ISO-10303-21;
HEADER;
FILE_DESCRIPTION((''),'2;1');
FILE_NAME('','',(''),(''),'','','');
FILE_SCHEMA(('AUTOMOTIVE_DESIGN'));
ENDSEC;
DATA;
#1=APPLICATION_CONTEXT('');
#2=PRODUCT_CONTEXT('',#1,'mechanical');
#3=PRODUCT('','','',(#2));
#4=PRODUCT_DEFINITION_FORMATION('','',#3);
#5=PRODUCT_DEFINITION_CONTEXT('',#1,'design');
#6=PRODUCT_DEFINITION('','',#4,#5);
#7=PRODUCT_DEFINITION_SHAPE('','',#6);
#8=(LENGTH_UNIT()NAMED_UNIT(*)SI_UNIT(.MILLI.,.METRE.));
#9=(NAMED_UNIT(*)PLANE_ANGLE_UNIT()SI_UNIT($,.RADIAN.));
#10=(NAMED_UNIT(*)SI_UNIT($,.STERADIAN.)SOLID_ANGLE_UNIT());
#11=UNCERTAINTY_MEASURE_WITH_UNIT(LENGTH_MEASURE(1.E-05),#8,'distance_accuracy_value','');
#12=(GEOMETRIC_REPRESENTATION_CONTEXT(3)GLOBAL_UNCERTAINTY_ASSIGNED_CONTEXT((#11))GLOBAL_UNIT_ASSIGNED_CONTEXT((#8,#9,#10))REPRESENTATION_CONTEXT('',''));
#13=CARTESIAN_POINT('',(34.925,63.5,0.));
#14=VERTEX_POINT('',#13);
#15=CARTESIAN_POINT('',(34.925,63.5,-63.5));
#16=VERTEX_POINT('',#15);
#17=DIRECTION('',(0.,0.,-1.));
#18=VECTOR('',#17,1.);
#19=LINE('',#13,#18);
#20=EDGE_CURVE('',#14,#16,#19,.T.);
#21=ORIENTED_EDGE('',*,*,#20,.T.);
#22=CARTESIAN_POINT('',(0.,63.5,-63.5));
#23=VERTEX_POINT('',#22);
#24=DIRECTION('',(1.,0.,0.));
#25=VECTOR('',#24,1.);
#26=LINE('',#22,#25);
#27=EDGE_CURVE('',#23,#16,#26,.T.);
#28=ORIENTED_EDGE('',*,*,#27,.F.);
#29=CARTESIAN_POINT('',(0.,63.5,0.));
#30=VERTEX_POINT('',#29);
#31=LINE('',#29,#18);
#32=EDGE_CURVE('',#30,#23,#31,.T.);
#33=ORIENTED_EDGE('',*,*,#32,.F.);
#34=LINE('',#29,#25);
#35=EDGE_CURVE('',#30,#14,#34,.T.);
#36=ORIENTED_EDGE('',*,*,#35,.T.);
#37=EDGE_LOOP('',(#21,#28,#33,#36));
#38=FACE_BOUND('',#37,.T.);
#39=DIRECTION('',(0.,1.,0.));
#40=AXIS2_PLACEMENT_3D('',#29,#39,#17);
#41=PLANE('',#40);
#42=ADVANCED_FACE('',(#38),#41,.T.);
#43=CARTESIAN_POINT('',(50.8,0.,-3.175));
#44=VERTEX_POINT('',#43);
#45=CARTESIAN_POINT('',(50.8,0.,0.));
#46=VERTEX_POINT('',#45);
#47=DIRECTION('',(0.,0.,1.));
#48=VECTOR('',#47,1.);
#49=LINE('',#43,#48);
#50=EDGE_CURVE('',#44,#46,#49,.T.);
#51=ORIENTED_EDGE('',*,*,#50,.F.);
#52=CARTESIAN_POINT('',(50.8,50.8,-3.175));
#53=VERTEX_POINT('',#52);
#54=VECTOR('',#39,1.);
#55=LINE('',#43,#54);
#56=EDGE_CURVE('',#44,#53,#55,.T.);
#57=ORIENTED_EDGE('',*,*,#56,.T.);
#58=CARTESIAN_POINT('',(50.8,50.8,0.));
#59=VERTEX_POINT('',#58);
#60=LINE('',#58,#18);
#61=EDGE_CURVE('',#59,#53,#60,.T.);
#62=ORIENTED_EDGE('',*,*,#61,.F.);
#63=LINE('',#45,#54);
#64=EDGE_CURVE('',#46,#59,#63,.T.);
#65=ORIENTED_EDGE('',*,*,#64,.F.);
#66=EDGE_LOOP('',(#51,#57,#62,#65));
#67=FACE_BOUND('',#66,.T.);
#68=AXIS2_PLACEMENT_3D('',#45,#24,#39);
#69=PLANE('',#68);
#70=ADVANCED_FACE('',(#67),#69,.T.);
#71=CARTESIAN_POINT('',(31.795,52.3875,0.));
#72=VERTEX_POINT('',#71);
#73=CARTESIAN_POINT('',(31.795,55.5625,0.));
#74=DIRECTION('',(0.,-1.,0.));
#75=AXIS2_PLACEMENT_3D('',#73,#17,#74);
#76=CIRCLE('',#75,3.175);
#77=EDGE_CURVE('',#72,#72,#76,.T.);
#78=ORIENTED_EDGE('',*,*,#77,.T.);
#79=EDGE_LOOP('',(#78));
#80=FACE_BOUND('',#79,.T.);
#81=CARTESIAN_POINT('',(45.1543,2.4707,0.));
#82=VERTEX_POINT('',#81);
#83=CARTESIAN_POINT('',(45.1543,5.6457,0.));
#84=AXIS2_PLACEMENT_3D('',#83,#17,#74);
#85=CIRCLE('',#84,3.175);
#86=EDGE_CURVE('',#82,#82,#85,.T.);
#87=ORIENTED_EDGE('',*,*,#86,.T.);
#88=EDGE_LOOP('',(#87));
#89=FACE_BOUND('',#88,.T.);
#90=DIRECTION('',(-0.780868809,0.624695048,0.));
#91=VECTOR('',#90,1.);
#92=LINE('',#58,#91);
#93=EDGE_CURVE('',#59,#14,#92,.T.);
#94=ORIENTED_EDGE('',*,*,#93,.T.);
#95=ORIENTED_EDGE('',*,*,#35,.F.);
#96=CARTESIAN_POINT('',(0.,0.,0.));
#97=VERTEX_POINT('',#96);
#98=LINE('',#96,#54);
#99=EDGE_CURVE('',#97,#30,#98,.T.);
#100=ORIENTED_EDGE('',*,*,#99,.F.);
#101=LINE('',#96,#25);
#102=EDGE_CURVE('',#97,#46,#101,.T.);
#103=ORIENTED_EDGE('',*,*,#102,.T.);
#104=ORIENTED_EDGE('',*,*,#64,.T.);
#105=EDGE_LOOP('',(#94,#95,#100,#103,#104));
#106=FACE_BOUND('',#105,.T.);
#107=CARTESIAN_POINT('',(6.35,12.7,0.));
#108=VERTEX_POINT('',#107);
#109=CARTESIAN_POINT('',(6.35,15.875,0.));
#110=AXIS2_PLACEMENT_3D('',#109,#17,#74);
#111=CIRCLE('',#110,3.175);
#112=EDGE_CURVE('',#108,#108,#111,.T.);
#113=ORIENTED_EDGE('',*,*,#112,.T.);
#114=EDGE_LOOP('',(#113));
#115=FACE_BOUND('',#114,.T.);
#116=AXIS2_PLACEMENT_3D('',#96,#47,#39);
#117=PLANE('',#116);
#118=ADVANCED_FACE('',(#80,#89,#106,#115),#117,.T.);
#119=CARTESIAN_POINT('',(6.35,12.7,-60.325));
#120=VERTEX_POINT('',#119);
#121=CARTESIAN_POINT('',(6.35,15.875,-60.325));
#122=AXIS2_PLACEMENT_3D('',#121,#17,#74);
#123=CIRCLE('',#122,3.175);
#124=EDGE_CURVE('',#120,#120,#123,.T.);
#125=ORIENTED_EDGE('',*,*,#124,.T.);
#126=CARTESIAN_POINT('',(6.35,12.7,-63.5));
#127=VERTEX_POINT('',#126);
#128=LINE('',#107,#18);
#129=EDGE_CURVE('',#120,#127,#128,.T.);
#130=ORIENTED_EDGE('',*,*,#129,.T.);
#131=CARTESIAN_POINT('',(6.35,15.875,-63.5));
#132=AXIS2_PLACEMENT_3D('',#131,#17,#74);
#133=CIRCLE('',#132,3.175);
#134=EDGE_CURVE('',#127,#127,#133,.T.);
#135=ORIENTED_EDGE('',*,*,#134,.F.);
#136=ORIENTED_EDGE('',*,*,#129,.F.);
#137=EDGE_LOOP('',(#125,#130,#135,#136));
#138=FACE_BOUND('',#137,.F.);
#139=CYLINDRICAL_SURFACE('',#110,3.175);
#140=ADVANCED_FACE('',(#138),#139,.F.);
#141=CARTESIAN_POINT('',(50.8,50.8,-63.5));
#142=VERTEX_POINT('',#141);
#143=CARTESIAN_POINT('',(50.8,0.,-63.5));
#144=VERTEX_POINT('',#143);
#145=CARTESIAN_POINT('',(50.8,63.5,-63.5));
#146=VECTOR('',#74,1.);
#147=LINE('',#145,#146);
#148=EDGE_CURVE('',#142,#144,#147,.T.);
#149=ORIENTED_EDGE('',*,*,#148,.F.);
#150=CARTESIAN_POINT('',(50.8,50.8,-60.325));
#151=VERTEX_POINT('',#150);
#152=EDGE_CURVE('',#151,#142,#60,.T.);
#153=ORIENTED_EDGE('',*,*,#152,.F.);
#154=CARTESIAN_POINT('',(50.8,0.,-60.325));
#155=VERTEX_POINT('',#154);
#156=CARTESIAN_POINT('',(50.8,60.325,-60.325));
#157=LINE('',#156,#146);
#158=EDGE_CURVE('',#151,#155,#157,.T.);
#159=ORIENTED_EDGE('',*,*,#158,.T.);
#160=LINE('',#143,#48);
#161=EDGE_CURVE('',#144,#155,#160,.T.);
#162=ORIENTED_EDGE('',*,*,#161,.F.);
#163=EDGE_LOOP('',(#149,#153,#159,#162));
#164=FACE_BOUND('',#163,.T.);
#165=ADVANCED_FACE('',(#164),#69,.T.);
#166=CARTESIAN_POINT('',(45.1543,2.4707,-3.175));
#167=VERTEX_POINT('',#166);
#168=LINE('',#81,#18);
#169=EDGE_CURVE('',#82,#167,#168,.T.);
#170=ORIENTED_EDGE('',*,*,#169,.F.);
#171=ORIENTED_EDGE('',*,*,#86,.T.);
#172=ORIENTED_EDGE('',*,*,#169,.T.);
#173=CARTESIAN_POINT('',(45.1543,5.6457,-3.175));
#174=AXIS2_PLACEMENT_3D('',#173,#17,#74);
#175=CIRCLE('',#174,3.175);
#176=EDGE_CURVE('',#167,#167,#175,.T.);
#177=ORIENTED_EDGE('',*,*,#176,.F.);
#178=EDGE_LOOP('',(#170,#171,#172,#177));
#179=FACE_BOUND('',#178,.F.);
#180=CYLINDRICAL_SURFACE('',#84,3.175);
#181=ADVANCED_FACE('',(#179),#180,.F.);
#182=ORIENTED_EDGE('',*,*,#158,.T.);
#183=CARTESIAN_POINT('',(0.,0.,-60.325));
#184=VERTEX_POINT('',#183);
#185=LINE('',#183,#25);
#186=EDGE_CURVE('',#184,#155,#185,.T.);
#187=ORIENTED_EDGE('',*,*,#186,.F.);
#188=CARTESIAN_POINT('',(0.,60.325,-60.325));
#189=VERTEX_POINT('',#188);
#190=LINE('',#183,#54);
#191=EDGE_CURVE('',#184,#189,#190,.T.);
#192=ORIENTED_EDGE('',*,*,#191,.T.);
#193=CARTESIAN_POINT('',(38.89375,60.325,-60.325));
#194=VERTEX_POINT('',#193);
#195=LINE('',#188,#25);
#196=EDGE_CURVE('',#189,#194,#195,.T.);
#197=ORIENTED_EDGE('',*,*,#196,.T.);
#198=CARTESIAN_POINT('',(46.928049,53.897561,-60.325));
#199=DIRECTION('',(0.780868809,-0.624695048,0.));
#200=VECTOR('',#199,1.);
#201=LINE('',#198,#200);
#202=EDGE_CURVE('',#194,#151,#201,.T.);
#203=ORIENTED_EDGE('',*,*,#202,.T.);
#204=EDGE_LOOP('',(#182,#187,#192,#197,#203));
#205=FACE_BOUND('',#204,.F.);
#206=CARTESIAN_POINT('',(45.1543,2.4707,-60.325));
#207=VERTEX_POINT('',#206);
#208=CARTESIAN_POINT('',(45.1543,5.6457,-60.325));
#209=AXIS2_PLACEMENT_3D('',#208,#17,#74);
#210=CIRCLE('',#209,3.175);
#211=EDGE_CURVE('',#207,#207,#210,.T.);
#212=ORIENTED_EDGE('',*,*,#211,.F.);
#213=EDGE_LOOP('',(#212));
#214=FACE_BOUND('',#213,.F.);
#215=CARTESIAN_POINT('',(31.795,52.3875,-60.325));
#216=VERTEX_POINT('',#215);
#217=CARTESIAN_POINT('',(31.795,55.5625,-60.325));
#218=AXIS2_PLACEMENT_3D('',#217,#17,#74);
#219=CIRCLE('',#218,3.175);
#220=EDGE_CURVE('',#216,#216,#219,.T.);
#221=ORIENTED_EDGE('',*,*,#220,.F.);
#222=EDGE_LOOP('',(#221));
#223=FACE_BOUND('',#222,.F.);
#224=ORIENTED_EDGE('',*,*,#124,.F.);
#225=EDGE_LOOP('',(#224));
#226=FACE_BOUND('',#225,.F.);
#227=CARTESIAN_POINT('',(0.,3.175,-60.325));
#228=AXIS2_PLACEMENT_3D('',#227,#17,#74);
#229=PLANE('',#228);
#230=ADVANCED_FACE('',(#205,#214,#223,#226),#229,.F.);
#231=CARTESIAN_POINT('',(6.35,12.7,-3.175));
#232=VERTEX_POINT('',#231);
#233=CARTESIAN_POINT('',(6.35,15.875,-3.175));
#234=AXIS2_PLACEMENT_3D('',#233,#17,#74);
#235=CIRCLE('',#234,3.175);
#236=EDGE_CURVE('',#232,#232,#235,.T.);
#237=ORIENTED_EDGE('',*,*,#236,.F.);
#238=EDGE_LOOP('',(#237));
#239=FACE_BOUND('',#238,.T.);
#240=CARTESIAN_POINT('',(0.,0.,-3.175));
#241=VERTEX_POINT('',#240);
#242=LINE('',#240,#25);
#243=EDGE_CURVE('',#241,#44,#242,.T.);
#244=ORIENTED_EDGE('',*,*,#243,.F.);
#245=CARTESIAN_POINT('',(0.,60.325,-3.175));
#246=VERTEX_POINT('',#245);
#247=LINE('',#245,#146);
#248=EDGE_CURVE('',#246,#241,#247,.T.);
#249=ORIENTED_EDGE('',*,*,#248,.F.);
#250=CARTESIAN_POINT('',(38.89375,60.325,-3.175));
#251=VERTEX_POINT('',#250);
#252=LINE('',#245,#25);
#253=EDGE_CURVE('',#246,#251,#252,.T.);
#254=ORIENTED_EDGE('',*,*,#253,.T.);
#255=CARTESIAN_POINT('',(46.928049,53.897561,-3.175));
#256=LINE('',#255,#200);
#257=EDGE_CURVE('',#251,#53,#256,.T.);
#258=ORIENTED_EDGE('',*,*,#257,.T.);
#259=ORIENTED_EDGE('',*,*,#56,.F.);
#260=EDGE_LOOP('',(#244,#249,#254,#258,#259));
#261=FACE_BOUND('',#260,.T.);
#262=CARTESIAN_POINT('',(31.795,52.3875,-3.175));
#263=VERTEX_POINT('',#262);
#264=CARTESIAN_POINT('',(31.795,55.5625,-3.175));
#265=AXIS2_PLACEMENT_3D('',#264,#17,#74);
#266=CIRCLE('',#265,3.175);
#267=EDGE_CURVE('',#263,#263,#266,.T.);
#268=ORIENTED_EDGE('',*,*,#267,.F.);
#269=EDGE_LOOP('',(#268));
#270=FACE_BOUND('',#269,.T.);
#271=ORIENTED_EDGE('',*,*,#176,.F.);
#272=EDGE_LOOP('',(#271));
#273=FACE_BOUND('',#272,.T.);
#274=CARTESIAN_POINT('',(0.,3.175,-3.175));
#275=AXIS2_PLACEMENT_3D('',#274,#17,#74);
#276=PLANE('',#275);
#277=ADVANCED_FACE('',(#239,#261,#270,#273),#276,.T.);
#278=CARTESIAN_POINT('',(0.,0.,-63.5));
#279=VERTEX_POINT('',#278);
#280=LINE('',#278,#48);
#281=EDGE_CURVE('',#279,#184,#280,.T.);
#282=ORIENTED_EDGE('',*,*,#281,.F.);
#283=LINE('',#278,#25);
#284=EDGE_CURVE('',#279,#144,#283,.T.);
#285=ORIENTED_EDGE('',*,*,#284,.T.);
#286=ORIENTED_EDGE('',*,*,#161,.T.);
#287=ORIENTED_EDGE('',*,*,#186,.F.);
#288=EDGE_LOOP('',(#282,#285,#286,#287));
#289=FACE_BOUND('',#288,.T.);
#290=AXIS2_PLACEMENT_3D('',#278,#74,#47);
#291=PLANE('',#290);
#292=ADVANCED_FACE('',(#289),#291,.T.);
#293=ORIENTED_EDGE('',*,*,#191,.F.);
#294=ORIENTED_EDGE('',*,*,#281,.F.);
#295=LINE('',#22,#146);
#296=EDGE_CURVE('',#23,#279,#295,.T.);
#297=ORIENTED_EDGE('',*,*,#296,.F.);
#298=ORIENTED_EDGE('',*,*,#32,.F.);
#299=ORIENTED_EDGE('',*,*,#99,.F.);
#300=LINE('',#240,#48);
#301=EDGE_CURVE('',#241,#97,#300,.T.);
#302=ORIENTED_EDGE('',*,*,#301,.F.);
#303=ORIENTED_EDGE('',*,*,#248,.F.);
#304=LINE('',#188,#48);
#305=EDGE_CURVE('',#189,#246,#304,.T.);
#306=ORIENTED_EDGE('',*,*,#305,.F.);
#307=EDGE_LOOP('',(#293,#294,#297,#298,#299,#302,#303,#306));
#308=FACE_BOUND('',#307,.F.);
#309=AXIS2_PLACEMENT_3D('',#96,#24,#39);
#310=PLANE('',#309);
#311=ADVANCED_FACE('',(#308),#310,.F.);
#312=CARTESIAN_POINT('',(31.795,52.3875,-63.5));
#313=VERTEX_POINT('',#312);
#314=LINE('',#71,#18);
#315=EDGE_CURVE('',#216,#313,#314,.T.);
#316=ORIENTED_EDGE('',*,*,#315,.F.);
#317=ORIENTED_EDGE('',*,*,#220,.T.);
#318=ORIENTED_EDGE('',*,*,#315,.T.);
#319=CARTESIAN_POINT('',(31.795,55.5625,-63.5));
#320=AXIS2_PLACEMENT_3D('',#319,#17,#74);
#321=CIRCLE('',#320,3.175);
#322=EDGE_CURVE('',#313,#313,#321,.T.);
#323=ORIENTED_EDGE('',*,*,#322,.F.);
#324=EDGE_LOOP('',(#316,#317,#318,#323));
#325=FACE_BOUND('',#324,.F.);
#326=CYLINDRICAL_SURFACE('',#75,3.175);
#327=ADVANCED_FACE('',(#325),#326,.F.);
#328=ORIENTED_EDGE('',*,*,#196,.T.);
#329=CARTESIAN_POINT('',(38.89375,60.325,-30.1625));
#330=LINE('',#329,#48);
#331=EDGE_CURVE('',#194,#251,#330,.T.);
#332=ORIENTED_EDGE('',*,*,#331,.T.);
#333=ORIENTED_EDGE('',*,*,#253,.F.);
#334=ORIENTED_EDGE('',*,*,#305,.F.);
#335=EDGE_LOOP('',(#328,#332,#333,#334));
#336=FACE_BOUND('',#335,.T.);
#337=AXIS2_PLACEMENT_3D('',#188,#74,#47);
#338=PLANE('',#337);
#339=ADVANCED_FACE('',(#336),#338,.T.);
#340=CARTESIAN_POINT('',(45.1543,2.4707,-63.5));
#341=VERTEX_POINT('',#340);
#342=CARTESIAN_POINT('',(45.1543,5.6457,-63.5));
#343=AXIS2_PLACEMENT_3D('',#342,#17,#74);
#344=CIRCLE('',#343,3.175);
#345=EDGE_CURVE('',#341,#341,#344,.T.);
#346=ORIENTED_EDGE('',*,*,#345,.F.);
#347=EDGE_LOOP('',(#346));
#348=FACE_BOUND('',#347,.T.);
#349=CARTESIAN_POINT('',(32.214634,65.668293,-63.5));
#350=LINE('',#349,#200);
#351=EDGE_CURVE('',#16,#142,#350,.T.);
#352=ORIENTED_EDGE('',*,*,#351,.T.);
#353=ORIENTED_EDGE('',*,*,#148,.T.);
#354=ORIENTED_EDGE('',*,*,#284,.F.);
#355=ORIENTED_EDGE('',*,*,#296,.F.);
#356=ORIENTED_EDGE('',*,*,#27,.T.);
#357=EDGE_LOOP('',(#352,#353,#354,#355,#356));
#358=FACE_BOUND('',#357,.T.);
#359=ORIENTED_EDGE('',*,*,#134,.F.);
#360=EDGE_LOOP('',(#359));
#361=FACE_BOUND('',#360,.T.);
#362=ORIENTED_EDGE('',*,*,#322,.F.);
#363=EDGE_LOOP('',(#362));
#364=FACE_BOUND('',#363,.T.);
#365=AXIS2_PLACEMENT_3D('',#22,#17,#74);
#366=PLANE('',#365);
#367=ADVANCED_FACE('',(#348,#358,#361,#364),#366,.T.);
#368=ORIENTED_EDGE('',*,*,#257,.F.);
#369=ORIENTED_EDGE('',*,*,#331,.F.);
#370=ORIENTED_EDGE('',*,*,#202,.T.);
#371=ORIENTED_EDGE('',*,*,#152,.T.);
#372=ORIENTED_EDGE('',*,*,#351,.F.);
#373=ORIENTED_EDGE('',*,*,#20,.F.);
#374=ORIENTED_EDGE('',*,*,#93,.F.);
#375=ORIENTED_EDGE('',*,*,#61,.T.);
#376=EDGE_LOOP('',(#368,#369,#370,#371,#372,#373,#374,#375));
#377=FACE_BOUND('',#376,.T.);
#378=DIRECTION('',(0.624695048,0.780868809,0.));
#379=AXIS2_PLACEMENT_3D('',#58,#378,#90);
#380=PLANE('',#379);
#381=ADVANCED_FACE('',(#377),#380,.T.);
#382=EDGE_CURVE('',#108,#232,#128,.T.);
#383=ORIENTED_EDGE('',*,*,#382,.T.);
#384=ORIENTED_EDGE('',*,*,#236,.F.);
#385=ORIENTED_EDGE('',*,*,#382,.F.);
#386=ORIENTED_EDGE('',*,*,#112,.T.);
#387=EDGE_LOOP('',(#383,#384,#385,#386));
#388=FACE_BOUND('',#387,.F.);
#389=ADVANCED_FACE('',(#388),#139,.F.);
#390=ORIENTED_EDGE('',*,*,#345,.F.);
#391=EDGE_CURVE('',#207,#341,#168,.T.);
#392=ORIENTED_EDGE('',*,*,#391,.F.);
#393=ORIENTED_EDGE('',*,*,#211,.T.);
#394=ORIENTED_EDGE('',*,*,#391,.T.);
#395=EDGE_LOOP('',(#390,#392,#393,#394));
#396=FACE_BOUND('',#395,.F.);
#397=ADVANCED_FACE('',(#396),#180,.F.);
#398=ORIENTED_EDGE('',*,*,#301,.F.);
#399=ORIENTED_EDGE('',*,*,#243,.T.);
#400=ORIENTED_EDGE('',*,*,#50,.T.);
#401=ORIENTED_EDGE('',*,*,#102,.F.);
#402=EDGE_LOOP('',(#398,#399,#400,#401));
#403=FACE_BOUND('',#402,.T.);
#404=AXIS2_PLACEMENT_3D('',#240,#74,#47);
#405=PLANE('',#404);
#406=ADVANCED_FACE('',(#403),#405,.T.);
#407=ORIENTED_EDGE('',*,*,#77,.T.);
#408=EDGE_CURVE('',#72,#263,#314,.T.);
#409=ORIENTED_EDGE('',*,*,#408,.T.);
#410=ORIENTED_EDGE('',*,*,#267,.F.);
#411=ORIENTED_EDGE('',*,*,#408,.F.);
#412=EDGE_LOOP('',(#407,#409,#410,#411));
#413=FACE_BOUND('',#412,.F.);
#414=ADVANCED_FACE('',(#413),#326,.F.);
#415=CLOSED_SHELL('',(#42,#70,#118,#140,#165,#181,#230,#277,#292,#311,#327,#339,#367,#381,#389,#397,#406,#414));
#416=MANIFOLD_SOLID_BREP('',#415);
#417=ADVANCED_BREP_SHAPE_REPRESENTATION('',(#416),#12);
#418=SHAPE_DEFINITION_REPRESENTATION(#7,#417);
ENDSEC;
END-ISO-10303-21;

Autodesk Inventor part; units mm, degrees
ref_plane "YZ Plane" through (0, 0, 0) normal (1, 0, 0) x (0, 1, 0)
ref_plane "XZ Plane" through (0, 0, 0) normal (0, 1, 0) x (-1, 0, 0)
ref_plane "XY Plane" through (0, 0, 0) normal (0, 0, 1) x (1, 0, 0)
sketch "Sketch1" plane through (0, 0, 0) normal (1, 0, 0) x (0, 1, 0)
  line L0 (0, 0) -> (63.5, 0)
  line L1 (63.5, 0) -> (63.5, -63.5)
  line L2 (63.5, -63.5) -> (0, -63.5)
  line L3 (60.325, -3.175) -> (3.175, -3.175)
  line L4 (3.175, -60.325) -> (60.325, -60.325)
  line L5 (60.325, -60.325) -> (60.325, -3.175)
  line L6 (3.175, -3.175) -> (-12.9864, -3.175)
  line L7 (3.175, -60.325) -> (-8.5998, -60.325)
  line L8 (0, -63.5) -> (0, -60.325)
  line L9 (0, -3.175) -> (0, 0)
  dimension "d6" = 63.5
  dimension "d7" = 3.175
extrude "Extrusion1" add sketch "Sketch1" along normal blind 50.8
ref_plane "Work Plane1" through (0, 0, -31.75) normal (0, 0, -1) x (-1, 0, 0)
sketch "Sketch2" plane through (0, 0, 0) normal (0, 0, 1) x (1, 0, 0)
  line L0 (0, 0) -> (0, 63.5) projected
  line L1 (0, 63.5) -> (50.8, 63.5) projected
  line L2 (0, 0) -> (50.8, 0) projected
  point P0 (6.35, 15.875)
  dimension "d33" = 15.875
  dimension "d34" = 6.35
hole "Hole1" at (6.35, 15.875, 0) direction (0, 0, -1) diameter 6.35 end through all
sketch "Sketch4" plane through (0, 0, 0) normal (0, 0, 1) x (1, 0, 0)
  line L0 (50.8, 0) -> (50.8, 63.5) projected
  line L1 (50.8, 63.5) -> (34.925, 63.5)
  line L2 (34.925, 63.5) -> (34.925, 57.15)
  line L3 (50.8, 50.8) -> (50.8, 63.5)
  line L4 (50.8, 50.8) -> (34.925, 63.5)
  point P0 (0, 0)
  dimension "d58" = 15.875
  dimension "d60" = 12.7
extrude "Extrusion2" cut sketch "Sketch4" against normal through all
sketch "Sketch3" plane through (0, 0, 0) normal (0, 0, 1) x (1, 0, 0)
  circle A0 centre (6.35, 15.875) radius 3.175 construction
  line L0 (0, 0) -> (0, 63.5) construction
  line L1 (0, 0) -> (50.8, 0) construction
  line L2 (50.8, 50.8) -> (50.8, 0) construction
  line L3 (0, 63.5) -> (34.925, 63.5) construction
  line L4 (9.8817, -6.9679) -> (-8.7166, 33.4041) construction
  line L5 (-8.7166, 33.4041) -> (298.3815, 174.8763) construction
  line L6 (298.3815, 174.8763) -> (316.9799, 134.5042) construction
  line L7 (316.9799, 134.5042) -> (9.8817, -6.9679) construction
  line L8 (0, 60.325) -> (50.8, 60.325) construction
  line L9 (50.8, 50.8) -> (34.925, 63.5) projected
  point P0 (45.1543, 5.6457)
  point P1 (31.795, 55.5625)
  point P2 (288.925, 146.05)
  dimension "d36" = 6.35
  dimension "d38" = 5.6457
  dimension "d41" = 44.45
  dimension "d43" = 3.302
  dimension "d44" = 3.175
  dimension "d46" = 22.225
  dimension "d49" = 22.225
  dimension "d50" = 20.6502
  dimension "d52" = 130.175
  dimension "d53" = 4.7625
  dimension "d54" = 282.575
  dimension "d55" = 24.734
  dimension "d56" = 338.1178
  dimension "d57" = 5.6457
hole "Hole2" at (45.1543, 5.6457, 0) at (31.795, 55.5625, 0) direction (0, 0, -1) diameter 6.35 end through all
equation "\"d57\" = d38"
properties part number "CAR_024_KickerUChannel" material "Aluminum 6061"
